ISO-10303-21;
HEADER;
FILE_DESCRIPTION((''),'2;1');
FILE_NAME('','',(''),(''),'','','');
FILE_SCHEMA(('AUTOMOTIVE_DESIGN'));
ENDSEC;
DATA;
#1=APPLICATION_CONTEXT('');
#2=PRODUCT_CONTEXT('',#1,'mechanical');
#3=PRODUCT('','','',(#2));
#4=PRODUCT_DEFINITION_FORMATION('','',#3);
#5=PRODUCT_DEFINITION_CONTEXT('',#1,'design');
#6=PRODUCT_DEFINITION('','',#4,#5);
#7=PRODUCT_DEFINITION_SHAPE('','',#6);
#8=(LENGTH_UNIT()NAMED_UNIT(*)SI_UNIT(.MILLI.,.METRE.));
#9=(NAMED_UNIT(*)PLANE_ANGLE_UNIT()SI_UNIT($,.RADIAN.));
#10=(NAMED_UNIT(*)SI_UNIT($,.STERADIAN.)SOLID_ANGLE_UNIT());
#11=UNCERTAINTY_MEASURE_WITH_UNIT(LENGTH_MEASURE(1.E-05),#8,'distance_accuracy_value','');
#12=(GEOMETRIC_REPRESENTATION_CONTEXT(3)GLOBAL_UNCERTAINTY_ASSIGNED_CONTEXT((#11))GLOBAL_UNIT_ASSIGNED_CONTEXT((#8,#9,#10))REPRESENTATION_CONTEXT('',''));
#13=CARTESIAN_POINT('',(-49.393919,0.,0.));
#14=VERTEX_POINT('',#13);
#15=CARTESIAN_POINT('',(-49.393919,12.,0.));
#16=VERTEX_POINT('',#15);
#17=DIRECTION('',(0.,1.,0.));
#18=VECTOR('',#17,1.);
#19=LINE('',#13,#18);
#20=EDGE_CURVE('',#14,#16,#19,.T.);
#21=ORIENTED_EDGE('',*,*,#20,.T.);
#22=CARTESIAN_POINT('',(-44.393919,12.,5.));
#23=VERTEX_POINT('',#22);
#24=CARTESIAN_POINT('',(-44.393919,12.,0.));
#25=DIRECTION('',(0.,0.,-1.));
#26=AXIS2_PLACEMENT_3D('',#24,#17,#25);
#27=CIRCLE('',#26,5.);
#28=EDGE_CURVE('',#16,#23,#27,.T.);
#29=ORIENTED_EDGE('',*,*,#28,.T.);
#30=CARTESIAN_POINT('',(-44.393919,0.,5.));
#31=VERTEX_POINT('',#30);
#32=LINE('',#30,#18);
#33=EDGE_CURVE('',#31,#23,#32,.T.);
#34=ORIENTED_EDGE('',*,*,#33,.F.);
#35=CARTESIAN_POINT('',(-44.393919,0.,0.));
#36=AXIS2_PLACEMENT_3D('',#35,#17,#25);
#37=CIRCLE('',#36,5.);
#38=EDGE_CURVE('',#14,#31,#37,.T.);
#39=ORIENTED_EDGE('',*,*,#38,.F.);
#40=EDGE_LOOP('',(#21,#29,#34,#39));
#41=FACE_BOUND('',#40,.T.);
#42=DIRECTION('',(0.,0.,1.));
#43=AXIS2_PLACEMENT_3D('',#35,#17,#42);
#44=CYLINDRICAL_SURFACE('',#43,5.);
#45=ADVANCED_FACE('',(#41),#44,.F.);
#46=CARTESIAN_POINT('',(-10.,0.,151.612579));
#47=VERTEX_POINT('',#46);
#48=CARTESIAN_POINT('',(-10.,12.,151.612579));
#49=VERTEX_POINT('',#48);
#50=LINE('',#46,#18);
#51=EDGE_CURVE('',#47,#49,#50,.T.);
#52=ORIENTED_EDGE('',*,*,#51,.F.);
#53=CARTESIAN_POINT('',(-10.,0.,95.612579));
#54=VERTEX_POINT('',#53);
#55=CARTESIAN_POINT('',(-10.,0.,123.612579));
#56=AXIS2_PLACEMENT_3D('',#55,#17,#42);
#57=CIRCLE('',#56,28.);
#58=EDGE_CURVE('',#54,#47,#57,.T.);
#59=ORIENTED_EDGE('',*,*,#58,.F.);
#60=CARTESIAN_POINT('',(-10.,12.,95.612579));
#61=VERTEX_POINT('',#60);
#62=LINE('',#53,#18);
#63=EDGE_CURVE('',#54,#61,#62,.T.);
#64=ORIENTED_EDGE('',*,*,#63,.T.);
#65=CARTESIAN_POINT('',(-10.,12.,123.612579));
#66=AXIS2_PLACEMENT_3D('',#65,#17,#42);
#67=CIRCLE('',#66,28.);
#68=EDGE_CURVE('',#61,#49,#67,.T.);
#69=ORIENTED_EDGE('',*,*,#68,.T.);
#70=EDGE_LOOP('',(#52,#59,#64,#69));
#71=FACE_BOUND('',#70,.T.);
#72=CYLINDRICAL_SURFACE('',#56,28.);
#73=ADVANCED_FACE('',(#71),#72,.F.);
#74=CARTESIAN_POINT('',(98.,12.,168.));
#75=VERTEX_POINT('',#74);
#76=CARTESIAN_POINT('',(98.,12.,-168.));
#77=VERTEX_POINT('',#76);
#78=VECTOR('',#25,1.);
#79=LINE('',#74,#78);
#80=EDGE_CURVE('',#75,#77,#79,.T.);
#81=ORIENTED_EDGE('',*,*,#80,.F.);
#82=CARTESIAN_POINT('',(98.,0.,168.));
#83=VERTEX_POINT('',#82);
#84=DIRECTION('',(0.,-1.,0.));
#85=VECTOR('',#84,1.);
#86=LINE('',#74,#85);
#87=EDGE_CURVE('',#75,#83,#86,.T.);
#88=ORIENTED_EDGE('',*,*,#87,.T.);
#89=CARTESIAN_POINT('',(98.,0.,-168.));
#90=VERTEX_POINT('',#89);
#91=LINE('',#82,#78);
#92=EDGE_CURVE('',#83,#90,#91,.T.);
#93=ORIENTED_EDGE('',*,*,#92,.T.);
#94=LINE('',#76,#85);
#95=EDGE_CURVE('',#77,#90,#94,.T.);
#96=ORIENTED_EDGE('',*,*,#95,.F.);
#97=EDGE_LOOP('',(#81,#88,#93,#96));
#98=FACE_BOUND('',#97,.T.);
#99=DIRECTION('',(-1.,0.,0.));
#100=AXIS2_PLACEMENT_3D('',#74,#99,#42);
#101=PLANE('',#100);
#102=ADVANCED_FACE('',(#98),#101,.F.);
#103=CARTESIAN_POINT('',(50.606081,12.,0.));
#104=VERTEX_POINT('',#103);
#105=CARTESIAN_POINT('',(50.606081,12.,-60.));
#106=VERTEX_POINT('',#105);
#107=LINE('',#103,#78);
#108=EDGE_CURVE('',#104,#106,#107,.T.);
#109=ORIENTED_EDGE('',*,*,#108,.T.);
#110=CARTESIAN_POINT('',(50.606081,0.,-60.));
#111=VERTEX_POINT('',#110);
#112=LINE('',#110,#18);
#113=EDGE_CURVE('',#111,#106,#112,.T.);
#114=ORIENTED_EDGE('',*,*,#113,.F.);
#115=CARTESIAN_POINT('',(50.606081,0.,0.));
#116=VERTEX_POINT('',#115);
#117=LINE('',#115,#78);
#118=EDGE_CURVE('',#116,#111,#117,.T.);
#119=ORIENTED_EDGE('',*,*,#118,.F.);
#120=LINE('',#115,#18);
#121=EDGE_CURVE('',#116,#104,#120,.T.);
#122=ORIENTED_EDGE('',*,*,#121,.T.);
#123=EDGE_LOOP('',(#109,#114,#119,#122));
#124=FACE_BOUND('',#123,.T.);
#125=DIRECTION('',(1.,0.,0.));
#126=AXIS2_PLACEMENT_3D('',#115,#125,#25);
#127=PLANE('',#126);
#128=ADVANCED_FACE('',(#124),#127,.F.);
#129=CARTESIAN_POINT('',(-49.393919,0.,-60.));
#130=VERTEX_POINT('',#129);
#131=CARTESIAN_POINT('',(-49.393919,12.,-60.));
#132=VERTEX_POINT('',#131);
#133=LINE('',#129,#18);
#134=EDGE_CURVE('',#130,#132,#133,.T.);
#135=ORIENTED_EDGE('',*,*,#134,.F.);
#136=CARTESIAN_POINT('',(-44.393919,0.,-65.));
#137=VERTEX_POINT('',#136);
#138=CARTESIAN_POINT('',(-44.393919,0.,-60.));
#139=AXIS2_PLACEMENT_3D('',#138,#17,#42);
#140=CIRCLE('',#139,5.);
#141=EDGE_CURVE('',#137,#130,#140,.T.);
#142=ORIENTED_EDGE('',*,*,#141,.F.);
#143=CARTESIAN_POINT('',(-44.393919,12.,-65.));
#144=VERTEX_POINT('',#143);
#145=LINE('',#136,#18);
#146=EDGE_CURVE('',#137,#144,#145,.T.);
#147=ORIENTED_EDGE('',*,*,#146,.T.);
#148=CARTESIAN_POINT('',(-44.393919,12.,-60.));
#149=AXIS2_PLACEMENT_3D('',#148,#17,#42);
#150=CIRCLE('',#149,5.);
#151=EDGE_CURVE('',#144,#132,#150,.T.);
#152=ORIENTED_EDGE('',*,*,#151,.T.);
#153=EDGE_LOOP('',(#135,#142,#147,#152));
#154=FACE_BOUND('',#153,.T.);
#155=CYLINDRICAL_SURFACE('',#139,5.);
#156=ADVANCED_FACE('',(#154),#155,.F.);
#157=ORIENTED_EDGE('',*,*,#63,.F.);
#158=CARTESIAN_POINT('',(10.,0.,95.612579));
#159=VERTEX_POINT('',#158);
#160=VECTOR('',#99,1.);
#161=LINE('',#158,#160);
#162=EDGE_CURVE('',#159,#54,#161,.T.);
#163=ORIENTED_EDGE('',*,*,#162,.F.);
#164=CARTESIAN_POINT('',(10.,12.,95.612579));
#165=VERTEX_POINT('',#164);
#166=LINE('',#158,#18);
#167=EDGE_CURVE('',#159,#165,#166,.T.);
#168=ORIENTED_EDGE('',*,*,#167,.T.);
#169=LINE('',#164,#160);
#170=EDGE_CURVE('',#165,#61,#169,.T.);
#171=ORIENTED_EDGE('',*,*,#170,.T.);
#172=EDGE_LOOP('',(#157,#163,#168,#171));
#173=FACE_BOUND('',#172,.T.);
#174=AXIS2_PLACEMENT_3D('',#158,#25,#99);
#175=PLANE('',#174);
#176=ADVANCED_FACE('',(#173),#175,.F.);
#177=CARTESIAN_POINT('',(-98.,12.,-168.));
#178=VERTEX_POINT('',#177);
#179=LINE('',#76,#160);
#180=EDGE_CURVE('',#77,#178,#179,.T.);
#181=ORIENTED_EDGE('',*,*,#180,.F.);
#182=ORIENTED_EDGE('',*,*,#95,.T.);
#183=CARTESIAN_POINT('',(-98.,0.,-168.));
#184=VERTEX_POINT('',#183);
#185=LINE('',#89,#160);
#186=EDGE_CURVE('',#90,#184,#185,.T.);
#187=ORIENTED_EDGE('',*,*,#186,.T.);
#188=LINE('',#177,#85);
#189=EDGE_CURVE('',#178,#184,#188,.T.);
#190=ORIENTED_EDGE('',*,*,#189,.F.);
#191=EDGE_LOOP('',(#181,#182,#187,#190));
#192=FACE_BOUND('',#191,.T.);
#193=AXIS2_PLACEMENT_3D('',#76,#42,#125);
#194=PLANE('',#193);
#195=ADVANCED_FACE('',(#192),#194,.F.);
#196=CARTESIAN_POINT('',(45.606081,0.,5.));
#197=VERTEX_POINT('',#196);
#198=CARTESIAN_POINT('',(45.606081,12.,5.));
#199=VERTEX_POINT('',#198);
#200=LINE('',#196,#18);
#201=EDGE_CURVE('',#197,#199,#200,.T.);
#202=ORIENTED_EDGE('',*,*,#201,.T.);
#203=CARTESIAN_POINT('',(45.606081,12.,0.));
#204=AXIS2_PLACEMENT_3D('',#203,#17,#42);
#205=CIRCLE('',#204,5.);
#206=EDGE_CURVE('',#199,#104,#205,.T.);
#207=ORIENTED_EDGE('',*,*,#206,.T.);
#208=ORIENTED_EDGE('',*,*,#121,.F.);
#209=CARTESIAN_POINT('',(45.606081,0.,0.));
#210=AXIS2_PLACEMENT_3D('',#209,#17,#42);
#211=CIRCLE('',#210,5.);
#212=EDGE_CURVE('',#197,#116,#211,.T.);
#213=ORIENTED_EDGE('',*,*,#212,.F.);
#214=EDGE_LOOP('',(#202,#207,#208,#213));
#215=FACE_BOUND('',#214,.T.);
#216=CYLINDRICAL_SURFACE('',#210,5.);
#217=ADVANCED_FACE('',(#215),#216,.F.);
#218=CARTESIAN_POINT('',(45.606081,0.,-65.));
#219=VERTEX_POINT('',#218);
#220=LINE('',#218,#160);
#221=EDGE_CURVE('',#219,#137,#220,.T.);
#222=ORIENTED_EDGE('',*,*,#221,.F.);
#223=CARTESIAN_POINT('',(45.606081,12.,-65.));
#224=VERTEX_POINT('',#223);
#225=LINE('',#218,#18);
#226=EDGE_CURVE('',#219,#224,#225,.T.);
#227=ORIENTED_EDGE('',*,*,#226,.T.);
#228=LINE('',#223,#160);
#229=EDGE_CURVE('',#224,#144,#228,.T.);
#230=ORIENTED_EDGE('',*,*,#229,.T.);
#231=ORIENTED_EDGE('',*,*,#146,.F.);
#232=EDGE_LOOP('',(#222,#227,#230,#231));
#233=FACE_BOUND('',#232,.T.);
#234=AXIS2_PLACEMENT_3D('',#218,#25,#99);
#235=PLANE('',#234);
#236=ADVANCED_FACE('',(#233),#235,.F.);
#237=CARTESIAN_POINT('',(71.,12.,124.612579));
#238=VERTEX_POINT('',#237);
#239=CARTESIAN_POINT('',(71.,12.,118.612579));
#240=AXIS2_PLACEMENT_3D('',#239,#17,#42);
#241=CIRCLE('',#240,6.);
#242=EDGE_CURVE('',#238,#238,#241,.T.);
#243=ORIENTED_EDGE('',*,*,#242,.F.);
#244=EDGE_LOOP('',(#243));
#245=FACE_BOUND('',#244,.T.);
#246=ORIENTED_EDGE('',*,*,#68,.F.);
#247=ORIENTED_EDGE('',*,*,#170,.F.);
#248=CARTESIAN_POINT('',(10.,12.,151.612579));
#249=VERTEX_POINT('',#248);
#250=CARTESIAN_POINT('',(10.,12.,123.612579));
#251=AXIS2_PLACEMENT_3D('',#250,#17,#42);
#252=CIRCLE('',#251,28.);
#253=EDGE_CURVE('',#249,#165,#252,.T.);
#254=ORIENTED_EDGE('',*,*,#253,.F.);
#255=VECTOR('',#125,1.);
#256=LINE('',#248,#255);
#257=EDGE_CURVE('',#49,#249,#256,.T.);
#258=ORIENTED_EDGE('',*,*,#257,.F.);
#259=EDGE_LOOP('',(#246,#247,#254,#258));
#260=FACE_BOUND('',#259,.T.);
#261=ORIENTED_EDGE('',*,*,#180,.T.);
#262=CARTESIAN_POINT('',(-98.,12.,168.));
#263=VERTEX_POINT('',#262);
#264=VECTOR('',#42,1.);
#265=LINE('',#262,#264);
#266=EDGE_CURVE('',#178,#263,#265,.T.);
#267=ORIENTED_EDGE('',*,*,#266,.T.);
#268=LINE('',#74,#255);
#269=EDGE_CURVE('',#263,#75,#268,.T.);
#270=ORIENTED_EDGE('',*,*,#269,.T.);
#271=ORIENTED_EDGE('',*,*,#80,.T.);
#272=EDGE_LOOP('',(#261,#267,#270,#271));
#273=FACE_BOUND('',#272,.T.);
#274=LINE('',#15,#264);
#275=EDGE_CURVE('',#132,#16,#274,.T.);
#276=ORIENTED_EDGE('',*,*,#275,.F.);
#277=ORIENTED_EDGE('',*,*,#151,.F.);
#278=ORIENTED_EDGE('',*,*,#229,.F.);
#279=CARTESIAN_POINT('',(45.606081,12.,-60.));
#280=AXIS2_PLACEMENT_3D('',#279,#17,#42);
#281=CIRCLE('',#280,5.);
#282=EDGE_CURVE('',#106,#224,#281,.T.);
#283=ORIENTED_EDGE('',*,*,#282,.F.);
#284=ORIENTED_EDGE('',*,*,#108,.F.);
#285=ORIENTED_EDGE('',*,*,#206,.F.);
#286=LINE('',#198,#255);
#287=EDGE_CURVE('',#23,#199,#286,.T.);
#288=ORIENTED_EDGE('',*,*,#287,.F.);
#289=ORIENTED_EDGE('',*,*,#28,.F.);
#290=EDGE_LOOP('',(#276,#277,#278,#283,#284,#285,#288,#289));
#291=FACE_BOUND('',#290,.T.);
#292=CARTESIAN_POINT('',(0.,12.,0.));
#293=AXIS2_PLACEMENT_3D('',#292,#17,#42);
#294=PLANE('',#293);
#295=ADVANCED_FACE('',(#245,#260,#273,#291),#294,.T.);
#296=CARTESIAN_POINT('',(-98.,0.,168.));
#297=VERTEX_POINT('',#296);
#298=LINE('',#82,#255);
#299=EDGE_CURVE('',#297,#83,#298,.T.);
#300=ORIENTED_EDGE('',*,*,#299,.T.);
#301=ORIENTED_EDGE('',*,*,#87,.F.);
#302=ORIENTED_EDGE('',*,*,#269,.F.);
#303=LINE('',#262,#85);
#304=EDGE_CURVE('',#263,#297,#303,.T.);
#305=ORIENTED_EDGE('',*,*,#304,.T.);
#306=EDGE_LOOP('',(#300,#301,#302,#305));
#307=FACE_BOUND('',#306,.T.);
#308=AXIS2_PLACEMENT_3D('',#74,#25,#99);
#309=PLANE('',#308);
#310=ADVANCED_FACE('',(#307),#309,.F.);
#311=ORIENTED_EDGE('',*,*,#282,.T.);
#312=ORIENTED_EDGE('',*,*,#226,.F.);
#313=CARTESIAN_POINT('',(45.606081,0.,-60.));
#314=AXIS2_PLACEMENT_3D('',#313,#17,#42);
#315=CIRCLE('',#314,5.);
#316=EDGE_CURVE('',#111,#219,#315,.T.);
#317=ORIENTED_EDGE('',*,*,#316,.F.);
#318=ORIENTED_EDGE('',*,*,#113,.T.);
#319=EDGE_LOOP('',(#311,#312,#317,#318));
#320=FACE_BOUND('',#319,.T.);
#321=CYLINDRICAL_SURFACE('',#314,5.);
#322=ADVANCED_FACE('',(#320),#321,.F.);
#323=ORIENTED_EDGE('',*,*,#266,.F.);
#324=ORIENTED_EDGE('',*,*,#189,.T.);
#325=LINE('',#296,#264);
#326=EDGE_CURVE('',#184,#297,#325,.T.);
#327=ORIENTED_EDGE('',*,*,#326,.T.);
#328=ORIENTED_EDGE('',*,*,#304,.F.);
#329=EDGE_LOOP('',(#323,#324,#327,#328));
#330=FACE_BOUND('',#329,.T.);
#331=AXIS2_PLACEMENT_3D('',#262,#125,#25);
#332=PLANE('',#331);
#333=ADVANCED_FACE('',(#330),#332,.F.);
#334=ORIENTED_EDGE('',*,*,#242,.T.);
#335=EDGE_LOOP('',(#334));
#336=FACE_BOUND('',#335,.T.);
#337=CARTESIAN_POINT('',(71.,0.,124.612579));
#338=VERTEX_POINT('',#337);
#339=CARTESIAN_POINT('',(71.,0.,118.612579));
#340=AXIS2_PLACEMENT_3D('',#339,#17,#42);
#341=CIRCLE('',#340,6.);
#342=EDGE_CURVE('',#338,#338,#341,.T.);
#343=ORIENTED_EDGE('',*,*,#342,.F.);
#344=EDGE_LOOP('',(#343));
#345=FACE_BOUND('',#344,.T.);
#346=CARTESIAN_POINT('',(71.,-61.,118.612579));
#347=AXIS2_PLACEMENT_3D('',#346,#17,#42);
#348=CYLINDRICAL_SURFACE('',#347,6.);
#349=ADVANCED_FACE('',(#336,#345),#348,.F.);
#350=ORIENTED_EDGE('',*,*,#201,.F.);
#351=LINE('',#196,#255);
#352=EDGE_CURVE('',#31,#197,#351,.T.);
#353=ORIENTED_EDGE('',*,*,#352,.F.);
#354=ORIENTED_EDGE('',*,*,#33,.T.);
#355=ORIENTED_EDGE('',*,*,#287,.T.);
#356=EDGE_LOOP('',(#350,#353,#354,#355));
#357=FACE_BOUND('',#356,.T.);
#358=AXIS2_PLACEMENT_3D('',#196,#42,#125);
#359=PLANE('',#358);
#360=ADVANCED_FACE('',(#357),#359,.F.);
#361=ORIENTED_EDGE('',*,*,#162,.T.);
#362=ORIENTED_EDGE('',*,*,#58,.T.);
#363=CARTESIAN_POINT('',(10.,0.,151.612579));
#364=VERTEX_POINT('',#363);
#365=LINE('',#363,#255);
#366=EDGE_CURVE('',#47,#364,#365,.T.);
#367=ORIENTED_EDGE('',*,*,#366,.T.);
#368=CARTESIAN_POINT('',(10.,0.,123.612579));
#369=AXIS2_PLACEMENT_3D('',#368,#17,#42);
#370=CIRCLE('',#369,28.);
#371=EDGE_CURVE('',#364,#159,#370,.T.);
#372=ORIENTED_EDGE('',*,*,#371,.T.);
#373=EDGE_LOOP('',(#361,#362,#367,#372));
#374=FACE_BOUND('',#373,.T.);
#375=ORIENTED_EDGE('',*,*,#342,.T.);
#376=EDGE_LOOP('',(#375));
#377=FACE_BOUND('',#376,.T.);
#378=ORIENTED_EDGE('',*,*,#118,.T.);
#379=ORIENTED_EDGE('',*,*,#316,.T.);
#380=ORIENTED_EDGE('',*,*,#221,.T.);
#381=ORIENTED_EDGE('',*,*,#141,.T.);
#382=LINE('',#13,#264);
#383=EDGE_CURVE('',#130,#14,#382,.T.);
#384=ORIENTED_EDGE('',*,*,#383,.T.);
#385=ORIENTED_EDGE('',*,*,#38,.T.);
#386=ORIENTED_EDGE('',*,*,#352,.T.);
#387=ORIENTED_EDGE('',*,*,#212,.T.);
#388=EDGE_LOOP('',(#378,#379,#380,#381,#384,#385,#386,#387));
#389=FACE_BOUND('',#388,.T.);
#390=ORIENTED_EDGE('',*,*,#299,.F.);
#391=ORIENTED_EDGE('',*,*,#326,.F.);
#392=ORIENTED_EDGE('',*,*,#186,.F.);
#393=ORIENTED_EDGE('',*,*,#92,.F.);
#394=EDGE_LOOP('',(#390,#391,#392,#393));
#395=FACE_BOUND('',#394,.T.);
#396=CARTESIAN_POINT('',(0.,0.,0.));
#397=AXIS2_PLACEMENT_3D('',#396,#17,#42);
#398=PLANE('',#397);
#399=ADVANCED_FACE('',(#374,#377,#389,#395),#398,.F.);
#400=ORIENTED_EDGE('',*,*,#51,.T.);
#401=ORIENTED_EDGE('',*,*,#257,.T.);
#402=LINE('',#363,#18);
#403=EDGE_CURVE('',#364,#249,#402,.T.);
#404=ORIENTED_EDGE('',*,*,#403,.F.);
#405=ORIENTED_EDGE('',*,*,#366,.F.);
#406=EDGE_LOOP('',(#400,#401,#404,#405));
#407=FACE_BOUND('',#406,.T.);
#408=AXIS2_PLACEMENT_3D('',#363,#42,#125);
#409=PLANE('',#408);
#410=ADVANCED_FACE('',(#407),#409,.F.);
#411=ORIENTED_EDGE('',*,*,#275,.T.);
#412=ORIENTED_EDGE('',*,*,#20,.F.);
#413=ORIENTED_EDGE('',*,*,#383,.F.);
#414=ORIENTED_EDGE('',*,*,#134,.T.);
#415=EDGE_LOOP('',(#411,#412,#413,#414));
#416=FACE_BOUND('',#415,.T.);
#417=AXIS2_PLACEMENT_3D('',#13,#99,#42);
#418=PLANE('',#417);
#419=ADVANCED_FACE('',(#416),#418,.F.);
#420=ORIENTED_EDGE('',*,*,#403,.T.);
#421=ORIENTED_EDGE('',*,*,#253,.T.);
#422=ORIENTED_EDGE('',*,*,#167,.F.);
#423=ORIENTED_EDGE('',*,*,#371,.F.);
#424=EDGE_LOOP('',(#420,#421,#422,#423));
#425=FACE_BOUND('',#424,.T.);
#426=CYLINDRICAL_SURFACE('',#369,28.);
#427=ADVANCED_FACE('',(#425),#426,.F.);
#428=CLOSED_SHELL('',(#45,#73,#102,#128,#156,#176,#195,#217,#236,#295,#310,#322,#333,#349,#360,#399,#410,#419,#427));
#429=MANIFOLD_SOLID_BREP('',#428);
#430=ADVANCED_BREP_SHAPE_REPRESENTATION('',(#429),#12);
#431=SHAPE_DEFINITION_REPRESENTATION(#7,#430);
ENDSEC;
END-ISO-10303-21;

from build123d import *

# Parameters (mm, degrees)
SKETCH1_W           = 196
SKETCH1_H           = 336
BOSS_EXTRUDE2_DEPTH = 12
CUT_EXTRUDE1_DEPTH  = 12
CUT_EXTRUDE2_DEPTH  = 12
SKETCH7_R           = 6
CUT_EXTRUDE3_DEPTH  = 73


with BuildPart() as part:
    # Sketch1 → Boss-Extrude2 (new body)
    with BuildSketch(Plane(origin=(0, 0, 0), x_dir=(1, 0, 0), z_dir=(0, 1, 0))):
        Rectangle(SKETCH1_W, SKETCH1_H)
    extrude(amount=BOSS_EXTRUDE2_DEPTH)

    # Sketch5 → Cut-Extrude1 (cut)
    with BuildSketch(Plane(origin=(0, 12, 0), x_dir=(1, 0, 0), z_dir=(0, 1, 0))):
        with BuildLine():
            Line((10, -151.612579221), (-10, -151.612579221))
            ThreePointArc((-10, -151.612579221), (-38, -123.612579221), (-10, -95.612579221))
            Line((-10, -95.612579221), (10, -95.612579221))
            ThreePointArc((10, -95.612579221), (38, -123.612579221), (10, -151.612579221))
        make_face()
    extrude(amount=-CUT_EXTRUDE1_DEPTH, mode=Mode.SUBTRACT)

    # Sketch6 → Cut-Extrude2 (cut)
    with BuildSketch(Plane(origin=(0, 12, 0), x_dir=(1, 0, 0), z_dir=(0, 1, 0))):
        with BuildLine():
            Line((45.606081406, -5), (-44.393918594, -5))
            ThreePointArc((-44.393918594, -5), (-47.9294525, -3.535533906), (-49.393918594, 0))
            Line((-49.393918594, 0), (-49.393918594, 60))
            ThreePointArc((-49.393918594, 60), (-47.9294525, 63.535533906), (-44.393918594, 65))
            Line((-44.393918594, 65), (45.606081406, 65))
            ThreePointArc((45.606081406, 65), (49.141615312, 63.535533906), (50.606081406, 60))
            Line((50.606081406, 60), (50.606081406, 0))
            ThreePointArc((50.606081406, 0), (49.141615312, -3.535533906), (45.606081406, -5))
        make_face()
    extrude(amount=-CUT_EXTRUDE2_DEPTH, mode=Mode.SUBTRACT)

    # Sketch7 → Cut-Extrude3 (cut)
    with BuildSketch(Plane(origin=(0, 12, 0), x_dir=(1, 0, 0), z_dir=(0, 1, 0))):
        with Locations(Location((71, -118.612579221, 0), (0, 0, 270))):
            Circle(SKETCH7_R)
    extrude(amount=-CUT_EXTRUDE3_DEPTH, mode=Mode.SUBTRACT)


solid = part.part
